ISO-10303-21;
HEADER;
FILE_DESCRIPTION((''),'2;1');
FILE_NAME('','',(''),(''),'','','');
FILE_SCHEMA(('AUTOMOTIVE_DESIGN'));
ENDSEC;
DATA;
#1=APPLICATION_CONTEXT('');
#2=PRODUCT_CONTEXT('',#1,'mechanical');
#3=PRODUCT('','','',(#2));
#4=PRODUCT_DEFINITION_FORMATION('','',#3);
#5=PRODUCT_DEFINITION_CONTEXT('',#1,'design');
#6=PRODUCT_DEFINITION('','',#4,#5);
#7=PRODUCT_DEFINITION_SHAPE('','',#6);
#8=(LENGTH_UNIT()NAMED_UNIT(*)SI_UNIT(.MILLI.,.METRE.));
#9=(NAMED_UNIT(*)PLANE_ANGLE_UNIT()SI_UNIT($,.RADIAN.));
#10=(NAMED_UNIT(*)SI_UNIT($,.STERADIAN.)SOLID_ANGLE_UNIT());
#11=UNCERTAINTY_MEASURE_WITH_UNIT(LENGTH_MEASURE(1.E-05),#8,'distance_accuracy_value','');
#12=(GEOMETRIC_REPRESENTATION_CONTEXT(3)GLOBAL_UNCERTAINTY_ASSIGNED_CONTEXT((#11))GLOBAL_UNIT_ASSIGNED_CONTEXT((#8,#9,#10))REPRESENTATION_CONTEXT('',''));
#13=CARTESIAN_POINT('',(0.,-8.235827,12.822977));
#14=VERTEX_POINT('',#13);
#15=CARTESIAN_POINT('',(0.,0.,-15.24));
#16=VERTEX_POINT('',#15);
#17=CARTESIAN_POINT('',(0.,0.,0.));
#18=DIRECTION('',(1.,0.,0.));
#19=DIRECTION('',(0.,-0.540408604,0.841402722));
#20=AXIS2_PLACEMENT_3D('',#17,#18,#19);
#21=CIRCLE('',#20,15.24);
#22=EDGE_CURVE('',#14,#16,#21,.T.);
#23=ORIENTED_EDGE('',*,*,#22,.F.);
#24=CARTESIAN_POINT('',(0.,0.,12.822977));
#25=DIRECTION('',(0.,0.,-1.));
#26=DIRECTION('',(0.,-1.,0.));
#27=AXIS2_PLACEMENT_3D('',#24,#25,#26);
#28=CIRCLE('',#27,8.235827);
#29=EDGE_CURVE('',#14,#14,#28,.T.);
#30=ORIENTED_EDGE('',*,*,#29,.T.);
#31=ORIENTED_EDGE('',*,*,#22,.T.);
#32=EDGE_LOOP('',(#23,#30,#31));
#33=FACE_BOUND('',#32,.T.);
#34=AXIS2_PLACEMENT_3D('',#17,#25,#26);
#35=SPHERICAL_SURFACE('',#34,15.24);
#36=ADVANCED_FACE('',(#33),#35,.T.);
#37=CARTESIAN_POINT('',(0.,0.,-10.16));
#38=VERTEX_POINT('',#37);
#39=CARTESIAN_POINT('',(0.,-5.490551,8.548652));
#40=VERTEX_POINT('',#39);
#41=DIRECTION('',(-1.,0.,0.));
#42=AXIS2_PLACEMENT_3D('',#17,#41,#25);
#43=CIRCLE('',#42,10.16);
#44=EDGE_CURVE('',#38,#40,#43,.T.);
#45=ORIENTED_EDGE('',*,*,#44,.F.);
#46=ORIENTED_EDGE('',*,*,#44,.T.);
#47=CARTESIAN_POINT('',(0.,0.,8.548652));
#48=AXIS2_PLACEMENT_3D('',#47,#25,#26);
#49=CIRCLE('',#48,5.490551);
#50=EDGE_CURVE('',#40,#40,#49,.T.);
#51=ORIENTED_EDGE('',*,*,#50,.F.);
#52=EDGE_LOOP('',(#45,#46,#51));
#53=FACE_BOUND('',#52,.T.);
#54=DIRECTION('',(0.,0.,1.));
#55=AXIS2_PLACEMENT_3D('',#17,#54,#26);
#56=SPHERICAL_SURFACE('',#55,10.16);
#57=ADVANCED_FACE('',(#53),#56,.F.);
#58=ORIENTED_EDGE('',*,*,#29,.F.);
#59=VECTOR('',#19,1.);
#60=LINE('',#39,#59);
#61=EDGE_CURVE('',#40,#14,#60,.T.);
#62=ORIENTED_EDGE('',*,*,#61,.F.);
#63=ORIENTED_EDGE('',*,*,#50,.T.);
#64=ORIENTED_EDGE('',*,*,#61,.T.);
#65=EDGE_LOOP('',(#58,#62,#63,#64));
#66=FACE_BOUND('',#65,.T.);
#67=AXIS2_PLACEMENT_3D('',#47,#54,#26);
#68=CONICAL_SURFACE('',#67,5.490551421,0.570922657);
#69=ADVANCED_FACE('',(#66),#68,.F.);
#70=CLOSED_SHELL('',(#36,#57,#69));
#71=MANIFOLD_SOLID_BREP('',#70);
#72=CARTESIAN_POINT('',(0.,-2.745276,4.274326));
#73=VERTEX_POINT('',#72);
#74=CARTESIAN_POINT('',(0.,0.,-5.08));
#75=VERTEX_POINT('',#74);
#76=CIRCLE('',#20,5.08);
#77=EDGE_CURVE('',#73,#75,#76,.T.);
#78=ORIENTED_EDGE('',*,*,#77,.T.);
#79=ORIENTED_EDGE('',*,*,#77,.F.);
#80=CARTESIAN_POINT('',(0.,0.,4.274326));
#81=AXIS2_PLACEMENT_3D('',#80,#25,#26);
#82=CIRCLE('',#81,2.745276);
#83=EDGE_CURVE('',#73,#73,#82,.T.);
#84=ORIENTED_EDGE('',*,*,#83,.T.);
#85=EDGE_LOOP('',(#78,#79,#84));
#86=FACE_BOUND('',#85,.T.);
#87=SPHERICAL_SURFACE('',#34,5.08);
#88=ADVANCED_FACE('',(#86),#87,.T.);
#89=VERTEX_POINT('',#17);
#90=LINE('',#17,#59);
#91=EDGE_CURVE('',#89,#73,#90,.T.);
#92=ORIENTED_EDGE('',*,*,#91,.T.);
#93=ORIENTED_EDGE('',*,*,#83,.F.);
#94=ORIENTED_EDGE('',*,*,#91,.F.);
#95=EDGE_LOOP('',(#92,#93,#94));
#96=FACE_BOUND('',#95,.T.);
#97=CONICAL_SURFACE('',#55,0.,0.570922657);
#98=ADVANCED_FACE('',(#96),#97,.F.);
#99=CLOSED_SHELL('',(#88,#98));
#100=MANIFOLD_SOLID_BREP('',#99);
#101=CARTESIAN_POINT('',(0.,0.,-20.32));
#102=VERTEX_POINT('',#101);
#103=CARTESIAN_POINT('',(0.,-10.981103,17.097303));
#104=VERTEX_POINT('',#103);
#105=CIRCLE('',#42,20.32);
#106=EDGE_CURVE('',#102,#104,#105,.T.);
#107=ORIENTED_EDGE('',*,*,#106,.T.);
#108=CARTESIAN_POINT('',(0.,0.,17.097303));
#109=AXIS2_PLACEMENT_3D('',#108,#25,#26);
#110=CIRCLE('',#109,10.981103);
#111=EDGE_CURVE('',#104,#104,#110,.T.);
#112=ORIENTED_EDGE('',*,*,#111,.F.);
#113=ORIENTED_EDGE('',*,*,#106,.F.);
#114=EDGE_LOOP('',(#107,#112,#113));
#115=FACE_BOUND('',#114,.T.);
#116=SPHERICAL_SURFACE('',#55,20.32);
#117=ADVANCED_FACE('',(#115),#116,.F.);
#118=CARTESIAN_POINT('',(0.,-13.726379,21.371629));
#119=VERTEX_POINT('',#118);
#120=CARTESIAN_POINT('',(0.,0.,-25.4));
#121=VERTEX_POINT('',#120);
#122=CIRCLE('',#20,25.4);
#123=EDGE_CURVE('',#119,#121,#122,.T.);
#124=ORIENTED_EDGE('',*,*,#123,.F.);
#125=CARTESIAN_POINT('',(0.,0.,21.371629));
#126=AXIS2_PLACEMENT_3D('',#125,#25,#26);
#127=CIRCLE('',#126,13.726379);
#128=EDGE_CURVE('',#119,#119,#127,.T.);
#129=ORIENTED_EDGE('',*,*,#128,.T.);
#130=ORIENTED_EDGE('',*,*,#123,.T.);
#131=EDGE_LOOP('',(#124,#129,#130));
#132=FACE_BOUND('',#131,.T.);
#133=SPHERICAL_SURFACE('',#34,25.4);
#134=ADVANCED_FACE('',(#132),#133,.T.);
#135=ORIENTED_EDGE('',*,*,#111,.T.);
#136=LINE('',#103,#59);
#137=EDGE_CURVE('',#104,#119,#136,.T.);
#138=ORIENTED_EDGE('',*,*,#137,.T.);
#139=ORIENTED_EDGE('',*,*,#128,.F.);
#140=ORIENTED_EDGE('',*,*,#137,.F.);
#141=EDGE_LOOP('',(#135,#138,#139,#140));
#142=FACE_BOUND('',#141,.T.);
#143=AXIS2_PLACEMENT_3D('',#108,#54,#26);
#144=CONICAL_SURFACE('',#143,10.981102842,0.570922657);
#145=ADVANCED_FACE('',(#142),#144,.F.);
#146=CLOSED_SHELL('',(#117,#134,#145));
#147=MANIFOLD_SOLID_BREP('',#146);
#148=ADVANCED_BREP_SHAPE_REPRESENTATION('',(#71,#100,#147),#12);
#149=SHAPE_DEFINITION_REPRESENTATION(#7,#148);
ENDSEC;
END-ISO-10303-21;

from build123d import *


with BuildPart() as f1:
    # F0 (on Right) → F1 (revolve)
    with BuildSketch(Plane.YZ):
        with BuildLine():
            ThreePointArc((-2.7452757104, 4.2743258268), (-4.8744217709, -1.4305287134), (0, -5.08))
            Line((0, -5.08), (0, 0))
            Line((0, 0), (-2.7452757104, 4.2743258268))
        make_face()
    revolve(axis=Axis((0, 0, 0), (0, 0, -1)))


with BuildPart() as f2:
    # F0 (on Right) → F2 (revolve)
    with BuildSketch(Plane.YZ):
        with BuildLine():
            ThreePointArc((-8.2358271312, 12.8229774805), (-14.6232653126, -4.2915861402), (0, -15.24))
            Line((0, -15.24), (0, -10.16))
            ThreePointArc((0, -10.16), (-9.7488435417, -2.8610574268), (-5.4905514208, 8.5486516537))
            Line((-5.4905514208, 8.5486516537), (-8.2358271312, 12.8229774805))
        make_face()
    revolve(axis=Axis((0, 0, 0), (0, 0, -1)))


with BuildPart() as f3:
    # F0 (on Right) → F3 (revolve)
    with BuildSketch(Plane.YZ):
        with BuildLine():
            Line((0, -25.4), (0, -20.32))
            ThreePointArc((0, -20.32), (-19.4976870834, -5.7221148536), (-10.9811028416, 17.0973033073))
            Line((-10.9811028416, 17.0973033073), (-13.726378552, 21.3716291342))
            ThreePointArc((-13.726378552, 21.3716291342), (-24.3721088543, -7.152643567), (0, -25.4))
        make_face()
    revolve(axis=Axis((0, 0, 0), (0, 0, -1)))


solid = Compound([f1.part, f2.part, f3.part])
